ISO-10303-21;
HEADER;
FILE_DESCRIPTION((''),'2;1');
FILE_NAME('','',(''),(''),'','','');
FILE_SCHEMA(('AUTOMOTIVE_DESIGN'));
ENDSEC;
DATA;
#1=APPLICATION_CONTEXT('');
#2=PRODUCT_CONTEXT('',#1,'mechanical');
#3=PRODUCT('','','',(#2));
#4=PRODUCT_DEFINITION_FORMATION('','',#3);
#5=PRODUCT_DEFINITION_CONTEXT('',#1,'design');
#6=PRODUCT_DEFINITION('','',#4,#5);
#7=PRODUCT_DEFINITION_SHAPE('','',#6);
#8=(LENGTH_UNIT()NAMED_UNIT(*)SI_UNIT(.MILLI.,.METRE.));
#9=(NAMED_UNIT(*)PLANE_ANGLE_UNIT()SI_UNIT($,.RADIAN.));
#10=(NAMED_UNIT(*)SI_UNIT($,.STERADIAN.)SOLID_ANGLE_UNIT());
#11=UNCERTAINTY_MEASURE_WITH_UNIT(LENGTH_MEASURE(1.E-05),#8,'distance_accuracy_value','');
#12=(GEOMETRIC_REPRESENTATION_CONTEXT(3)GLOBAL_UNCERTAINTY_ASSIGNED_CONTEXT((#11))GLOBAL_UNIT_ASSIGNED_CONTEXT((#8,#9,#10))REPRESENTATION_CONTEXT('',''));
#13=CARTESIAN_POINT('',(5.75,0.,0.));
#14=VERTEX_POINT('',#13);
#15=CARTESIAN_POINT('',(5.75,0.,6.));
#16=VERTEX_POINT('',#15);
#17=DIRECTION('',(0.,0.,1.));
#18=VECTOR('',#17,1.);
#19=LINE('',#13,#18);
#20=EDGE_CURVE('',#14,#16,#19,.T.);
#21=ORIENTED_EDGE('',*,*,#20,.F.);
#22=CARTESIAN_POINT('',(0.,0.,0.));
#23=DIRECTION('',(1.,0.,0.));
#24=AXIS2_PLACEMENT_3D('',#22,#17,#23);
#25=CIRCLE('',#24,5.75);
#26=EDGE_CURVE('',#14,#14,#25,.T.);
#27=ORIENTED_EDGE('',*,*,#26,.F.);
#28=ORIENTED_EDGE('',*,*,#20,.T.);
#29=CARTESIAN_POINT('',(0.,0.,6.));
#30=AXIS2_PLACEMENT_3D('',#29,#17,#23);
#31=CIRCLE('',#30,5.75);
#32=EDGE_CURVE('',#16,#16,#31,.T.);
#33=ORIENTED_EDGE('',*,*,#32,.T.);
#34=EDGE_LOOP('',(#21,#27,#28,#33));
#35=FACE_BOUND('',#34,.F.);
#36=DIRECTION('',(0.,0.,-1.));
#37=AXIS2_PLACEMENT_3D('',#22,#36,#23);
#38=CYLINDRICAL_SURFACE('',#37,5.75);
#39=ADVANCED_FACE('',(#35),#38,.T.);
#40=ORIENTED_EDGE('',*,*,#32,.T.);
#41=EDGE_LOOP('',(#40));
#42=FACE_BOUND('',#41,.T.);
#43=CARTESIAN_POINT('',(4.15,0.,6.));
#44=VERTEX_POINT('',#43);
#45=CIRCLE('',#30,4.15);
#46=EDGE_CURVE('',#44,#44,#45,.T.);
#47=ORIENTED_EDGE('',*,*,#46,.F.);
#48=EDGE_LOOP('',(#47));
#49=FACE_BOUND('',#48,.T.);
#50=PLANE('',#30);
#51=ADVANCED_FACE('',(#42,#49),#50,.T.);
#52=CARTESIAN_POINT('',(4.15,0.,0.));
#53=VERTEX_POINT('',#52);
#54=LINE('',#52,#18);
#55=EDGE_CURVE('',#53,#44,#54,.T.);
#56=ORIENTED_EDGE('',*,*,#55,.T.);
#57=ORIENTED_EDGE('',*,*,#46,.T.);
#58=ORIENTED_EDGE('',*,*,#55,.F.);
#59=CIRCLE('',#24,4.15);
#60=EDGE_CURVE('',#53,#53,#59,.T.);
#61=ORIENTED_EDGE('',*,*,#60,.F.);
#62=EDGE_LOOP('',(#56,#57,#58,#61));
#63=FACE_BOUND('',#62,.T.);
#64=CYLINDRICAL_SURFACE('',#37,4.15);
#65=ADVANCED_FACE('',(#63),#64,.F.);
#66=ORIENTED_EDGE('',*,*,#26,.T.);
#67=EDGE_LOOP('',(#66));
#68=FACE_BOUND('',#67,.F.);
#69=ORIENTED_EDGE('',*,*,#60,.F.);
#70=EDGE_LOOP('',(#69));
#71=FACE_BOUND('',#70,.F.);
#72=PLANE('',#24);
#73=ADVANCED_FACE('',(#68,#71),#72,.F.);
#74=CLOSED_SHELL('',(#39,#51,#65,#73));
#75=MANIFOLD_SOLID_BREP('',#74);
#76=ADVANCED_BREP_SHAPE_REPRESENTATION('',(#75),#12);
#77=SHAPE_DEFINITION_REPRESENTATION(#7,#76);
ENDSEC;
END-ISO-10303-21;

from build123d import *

# Parameters (mm, degrees)
SKETCH_R   = 5.75
SKETCH_R_2 = 4.15
PAD_DEPTH  = 6


with BuildPart() as part:
    # Sketch → Pad (new body)
    with BuildSketch(Plane.XY):
        Circle(SKETCH_R)
        Circle(SKETCH_R_2, mode=Mode.SUBTRACT)
    extrude(amount=PAD_DEPTH)


solid = part.part
